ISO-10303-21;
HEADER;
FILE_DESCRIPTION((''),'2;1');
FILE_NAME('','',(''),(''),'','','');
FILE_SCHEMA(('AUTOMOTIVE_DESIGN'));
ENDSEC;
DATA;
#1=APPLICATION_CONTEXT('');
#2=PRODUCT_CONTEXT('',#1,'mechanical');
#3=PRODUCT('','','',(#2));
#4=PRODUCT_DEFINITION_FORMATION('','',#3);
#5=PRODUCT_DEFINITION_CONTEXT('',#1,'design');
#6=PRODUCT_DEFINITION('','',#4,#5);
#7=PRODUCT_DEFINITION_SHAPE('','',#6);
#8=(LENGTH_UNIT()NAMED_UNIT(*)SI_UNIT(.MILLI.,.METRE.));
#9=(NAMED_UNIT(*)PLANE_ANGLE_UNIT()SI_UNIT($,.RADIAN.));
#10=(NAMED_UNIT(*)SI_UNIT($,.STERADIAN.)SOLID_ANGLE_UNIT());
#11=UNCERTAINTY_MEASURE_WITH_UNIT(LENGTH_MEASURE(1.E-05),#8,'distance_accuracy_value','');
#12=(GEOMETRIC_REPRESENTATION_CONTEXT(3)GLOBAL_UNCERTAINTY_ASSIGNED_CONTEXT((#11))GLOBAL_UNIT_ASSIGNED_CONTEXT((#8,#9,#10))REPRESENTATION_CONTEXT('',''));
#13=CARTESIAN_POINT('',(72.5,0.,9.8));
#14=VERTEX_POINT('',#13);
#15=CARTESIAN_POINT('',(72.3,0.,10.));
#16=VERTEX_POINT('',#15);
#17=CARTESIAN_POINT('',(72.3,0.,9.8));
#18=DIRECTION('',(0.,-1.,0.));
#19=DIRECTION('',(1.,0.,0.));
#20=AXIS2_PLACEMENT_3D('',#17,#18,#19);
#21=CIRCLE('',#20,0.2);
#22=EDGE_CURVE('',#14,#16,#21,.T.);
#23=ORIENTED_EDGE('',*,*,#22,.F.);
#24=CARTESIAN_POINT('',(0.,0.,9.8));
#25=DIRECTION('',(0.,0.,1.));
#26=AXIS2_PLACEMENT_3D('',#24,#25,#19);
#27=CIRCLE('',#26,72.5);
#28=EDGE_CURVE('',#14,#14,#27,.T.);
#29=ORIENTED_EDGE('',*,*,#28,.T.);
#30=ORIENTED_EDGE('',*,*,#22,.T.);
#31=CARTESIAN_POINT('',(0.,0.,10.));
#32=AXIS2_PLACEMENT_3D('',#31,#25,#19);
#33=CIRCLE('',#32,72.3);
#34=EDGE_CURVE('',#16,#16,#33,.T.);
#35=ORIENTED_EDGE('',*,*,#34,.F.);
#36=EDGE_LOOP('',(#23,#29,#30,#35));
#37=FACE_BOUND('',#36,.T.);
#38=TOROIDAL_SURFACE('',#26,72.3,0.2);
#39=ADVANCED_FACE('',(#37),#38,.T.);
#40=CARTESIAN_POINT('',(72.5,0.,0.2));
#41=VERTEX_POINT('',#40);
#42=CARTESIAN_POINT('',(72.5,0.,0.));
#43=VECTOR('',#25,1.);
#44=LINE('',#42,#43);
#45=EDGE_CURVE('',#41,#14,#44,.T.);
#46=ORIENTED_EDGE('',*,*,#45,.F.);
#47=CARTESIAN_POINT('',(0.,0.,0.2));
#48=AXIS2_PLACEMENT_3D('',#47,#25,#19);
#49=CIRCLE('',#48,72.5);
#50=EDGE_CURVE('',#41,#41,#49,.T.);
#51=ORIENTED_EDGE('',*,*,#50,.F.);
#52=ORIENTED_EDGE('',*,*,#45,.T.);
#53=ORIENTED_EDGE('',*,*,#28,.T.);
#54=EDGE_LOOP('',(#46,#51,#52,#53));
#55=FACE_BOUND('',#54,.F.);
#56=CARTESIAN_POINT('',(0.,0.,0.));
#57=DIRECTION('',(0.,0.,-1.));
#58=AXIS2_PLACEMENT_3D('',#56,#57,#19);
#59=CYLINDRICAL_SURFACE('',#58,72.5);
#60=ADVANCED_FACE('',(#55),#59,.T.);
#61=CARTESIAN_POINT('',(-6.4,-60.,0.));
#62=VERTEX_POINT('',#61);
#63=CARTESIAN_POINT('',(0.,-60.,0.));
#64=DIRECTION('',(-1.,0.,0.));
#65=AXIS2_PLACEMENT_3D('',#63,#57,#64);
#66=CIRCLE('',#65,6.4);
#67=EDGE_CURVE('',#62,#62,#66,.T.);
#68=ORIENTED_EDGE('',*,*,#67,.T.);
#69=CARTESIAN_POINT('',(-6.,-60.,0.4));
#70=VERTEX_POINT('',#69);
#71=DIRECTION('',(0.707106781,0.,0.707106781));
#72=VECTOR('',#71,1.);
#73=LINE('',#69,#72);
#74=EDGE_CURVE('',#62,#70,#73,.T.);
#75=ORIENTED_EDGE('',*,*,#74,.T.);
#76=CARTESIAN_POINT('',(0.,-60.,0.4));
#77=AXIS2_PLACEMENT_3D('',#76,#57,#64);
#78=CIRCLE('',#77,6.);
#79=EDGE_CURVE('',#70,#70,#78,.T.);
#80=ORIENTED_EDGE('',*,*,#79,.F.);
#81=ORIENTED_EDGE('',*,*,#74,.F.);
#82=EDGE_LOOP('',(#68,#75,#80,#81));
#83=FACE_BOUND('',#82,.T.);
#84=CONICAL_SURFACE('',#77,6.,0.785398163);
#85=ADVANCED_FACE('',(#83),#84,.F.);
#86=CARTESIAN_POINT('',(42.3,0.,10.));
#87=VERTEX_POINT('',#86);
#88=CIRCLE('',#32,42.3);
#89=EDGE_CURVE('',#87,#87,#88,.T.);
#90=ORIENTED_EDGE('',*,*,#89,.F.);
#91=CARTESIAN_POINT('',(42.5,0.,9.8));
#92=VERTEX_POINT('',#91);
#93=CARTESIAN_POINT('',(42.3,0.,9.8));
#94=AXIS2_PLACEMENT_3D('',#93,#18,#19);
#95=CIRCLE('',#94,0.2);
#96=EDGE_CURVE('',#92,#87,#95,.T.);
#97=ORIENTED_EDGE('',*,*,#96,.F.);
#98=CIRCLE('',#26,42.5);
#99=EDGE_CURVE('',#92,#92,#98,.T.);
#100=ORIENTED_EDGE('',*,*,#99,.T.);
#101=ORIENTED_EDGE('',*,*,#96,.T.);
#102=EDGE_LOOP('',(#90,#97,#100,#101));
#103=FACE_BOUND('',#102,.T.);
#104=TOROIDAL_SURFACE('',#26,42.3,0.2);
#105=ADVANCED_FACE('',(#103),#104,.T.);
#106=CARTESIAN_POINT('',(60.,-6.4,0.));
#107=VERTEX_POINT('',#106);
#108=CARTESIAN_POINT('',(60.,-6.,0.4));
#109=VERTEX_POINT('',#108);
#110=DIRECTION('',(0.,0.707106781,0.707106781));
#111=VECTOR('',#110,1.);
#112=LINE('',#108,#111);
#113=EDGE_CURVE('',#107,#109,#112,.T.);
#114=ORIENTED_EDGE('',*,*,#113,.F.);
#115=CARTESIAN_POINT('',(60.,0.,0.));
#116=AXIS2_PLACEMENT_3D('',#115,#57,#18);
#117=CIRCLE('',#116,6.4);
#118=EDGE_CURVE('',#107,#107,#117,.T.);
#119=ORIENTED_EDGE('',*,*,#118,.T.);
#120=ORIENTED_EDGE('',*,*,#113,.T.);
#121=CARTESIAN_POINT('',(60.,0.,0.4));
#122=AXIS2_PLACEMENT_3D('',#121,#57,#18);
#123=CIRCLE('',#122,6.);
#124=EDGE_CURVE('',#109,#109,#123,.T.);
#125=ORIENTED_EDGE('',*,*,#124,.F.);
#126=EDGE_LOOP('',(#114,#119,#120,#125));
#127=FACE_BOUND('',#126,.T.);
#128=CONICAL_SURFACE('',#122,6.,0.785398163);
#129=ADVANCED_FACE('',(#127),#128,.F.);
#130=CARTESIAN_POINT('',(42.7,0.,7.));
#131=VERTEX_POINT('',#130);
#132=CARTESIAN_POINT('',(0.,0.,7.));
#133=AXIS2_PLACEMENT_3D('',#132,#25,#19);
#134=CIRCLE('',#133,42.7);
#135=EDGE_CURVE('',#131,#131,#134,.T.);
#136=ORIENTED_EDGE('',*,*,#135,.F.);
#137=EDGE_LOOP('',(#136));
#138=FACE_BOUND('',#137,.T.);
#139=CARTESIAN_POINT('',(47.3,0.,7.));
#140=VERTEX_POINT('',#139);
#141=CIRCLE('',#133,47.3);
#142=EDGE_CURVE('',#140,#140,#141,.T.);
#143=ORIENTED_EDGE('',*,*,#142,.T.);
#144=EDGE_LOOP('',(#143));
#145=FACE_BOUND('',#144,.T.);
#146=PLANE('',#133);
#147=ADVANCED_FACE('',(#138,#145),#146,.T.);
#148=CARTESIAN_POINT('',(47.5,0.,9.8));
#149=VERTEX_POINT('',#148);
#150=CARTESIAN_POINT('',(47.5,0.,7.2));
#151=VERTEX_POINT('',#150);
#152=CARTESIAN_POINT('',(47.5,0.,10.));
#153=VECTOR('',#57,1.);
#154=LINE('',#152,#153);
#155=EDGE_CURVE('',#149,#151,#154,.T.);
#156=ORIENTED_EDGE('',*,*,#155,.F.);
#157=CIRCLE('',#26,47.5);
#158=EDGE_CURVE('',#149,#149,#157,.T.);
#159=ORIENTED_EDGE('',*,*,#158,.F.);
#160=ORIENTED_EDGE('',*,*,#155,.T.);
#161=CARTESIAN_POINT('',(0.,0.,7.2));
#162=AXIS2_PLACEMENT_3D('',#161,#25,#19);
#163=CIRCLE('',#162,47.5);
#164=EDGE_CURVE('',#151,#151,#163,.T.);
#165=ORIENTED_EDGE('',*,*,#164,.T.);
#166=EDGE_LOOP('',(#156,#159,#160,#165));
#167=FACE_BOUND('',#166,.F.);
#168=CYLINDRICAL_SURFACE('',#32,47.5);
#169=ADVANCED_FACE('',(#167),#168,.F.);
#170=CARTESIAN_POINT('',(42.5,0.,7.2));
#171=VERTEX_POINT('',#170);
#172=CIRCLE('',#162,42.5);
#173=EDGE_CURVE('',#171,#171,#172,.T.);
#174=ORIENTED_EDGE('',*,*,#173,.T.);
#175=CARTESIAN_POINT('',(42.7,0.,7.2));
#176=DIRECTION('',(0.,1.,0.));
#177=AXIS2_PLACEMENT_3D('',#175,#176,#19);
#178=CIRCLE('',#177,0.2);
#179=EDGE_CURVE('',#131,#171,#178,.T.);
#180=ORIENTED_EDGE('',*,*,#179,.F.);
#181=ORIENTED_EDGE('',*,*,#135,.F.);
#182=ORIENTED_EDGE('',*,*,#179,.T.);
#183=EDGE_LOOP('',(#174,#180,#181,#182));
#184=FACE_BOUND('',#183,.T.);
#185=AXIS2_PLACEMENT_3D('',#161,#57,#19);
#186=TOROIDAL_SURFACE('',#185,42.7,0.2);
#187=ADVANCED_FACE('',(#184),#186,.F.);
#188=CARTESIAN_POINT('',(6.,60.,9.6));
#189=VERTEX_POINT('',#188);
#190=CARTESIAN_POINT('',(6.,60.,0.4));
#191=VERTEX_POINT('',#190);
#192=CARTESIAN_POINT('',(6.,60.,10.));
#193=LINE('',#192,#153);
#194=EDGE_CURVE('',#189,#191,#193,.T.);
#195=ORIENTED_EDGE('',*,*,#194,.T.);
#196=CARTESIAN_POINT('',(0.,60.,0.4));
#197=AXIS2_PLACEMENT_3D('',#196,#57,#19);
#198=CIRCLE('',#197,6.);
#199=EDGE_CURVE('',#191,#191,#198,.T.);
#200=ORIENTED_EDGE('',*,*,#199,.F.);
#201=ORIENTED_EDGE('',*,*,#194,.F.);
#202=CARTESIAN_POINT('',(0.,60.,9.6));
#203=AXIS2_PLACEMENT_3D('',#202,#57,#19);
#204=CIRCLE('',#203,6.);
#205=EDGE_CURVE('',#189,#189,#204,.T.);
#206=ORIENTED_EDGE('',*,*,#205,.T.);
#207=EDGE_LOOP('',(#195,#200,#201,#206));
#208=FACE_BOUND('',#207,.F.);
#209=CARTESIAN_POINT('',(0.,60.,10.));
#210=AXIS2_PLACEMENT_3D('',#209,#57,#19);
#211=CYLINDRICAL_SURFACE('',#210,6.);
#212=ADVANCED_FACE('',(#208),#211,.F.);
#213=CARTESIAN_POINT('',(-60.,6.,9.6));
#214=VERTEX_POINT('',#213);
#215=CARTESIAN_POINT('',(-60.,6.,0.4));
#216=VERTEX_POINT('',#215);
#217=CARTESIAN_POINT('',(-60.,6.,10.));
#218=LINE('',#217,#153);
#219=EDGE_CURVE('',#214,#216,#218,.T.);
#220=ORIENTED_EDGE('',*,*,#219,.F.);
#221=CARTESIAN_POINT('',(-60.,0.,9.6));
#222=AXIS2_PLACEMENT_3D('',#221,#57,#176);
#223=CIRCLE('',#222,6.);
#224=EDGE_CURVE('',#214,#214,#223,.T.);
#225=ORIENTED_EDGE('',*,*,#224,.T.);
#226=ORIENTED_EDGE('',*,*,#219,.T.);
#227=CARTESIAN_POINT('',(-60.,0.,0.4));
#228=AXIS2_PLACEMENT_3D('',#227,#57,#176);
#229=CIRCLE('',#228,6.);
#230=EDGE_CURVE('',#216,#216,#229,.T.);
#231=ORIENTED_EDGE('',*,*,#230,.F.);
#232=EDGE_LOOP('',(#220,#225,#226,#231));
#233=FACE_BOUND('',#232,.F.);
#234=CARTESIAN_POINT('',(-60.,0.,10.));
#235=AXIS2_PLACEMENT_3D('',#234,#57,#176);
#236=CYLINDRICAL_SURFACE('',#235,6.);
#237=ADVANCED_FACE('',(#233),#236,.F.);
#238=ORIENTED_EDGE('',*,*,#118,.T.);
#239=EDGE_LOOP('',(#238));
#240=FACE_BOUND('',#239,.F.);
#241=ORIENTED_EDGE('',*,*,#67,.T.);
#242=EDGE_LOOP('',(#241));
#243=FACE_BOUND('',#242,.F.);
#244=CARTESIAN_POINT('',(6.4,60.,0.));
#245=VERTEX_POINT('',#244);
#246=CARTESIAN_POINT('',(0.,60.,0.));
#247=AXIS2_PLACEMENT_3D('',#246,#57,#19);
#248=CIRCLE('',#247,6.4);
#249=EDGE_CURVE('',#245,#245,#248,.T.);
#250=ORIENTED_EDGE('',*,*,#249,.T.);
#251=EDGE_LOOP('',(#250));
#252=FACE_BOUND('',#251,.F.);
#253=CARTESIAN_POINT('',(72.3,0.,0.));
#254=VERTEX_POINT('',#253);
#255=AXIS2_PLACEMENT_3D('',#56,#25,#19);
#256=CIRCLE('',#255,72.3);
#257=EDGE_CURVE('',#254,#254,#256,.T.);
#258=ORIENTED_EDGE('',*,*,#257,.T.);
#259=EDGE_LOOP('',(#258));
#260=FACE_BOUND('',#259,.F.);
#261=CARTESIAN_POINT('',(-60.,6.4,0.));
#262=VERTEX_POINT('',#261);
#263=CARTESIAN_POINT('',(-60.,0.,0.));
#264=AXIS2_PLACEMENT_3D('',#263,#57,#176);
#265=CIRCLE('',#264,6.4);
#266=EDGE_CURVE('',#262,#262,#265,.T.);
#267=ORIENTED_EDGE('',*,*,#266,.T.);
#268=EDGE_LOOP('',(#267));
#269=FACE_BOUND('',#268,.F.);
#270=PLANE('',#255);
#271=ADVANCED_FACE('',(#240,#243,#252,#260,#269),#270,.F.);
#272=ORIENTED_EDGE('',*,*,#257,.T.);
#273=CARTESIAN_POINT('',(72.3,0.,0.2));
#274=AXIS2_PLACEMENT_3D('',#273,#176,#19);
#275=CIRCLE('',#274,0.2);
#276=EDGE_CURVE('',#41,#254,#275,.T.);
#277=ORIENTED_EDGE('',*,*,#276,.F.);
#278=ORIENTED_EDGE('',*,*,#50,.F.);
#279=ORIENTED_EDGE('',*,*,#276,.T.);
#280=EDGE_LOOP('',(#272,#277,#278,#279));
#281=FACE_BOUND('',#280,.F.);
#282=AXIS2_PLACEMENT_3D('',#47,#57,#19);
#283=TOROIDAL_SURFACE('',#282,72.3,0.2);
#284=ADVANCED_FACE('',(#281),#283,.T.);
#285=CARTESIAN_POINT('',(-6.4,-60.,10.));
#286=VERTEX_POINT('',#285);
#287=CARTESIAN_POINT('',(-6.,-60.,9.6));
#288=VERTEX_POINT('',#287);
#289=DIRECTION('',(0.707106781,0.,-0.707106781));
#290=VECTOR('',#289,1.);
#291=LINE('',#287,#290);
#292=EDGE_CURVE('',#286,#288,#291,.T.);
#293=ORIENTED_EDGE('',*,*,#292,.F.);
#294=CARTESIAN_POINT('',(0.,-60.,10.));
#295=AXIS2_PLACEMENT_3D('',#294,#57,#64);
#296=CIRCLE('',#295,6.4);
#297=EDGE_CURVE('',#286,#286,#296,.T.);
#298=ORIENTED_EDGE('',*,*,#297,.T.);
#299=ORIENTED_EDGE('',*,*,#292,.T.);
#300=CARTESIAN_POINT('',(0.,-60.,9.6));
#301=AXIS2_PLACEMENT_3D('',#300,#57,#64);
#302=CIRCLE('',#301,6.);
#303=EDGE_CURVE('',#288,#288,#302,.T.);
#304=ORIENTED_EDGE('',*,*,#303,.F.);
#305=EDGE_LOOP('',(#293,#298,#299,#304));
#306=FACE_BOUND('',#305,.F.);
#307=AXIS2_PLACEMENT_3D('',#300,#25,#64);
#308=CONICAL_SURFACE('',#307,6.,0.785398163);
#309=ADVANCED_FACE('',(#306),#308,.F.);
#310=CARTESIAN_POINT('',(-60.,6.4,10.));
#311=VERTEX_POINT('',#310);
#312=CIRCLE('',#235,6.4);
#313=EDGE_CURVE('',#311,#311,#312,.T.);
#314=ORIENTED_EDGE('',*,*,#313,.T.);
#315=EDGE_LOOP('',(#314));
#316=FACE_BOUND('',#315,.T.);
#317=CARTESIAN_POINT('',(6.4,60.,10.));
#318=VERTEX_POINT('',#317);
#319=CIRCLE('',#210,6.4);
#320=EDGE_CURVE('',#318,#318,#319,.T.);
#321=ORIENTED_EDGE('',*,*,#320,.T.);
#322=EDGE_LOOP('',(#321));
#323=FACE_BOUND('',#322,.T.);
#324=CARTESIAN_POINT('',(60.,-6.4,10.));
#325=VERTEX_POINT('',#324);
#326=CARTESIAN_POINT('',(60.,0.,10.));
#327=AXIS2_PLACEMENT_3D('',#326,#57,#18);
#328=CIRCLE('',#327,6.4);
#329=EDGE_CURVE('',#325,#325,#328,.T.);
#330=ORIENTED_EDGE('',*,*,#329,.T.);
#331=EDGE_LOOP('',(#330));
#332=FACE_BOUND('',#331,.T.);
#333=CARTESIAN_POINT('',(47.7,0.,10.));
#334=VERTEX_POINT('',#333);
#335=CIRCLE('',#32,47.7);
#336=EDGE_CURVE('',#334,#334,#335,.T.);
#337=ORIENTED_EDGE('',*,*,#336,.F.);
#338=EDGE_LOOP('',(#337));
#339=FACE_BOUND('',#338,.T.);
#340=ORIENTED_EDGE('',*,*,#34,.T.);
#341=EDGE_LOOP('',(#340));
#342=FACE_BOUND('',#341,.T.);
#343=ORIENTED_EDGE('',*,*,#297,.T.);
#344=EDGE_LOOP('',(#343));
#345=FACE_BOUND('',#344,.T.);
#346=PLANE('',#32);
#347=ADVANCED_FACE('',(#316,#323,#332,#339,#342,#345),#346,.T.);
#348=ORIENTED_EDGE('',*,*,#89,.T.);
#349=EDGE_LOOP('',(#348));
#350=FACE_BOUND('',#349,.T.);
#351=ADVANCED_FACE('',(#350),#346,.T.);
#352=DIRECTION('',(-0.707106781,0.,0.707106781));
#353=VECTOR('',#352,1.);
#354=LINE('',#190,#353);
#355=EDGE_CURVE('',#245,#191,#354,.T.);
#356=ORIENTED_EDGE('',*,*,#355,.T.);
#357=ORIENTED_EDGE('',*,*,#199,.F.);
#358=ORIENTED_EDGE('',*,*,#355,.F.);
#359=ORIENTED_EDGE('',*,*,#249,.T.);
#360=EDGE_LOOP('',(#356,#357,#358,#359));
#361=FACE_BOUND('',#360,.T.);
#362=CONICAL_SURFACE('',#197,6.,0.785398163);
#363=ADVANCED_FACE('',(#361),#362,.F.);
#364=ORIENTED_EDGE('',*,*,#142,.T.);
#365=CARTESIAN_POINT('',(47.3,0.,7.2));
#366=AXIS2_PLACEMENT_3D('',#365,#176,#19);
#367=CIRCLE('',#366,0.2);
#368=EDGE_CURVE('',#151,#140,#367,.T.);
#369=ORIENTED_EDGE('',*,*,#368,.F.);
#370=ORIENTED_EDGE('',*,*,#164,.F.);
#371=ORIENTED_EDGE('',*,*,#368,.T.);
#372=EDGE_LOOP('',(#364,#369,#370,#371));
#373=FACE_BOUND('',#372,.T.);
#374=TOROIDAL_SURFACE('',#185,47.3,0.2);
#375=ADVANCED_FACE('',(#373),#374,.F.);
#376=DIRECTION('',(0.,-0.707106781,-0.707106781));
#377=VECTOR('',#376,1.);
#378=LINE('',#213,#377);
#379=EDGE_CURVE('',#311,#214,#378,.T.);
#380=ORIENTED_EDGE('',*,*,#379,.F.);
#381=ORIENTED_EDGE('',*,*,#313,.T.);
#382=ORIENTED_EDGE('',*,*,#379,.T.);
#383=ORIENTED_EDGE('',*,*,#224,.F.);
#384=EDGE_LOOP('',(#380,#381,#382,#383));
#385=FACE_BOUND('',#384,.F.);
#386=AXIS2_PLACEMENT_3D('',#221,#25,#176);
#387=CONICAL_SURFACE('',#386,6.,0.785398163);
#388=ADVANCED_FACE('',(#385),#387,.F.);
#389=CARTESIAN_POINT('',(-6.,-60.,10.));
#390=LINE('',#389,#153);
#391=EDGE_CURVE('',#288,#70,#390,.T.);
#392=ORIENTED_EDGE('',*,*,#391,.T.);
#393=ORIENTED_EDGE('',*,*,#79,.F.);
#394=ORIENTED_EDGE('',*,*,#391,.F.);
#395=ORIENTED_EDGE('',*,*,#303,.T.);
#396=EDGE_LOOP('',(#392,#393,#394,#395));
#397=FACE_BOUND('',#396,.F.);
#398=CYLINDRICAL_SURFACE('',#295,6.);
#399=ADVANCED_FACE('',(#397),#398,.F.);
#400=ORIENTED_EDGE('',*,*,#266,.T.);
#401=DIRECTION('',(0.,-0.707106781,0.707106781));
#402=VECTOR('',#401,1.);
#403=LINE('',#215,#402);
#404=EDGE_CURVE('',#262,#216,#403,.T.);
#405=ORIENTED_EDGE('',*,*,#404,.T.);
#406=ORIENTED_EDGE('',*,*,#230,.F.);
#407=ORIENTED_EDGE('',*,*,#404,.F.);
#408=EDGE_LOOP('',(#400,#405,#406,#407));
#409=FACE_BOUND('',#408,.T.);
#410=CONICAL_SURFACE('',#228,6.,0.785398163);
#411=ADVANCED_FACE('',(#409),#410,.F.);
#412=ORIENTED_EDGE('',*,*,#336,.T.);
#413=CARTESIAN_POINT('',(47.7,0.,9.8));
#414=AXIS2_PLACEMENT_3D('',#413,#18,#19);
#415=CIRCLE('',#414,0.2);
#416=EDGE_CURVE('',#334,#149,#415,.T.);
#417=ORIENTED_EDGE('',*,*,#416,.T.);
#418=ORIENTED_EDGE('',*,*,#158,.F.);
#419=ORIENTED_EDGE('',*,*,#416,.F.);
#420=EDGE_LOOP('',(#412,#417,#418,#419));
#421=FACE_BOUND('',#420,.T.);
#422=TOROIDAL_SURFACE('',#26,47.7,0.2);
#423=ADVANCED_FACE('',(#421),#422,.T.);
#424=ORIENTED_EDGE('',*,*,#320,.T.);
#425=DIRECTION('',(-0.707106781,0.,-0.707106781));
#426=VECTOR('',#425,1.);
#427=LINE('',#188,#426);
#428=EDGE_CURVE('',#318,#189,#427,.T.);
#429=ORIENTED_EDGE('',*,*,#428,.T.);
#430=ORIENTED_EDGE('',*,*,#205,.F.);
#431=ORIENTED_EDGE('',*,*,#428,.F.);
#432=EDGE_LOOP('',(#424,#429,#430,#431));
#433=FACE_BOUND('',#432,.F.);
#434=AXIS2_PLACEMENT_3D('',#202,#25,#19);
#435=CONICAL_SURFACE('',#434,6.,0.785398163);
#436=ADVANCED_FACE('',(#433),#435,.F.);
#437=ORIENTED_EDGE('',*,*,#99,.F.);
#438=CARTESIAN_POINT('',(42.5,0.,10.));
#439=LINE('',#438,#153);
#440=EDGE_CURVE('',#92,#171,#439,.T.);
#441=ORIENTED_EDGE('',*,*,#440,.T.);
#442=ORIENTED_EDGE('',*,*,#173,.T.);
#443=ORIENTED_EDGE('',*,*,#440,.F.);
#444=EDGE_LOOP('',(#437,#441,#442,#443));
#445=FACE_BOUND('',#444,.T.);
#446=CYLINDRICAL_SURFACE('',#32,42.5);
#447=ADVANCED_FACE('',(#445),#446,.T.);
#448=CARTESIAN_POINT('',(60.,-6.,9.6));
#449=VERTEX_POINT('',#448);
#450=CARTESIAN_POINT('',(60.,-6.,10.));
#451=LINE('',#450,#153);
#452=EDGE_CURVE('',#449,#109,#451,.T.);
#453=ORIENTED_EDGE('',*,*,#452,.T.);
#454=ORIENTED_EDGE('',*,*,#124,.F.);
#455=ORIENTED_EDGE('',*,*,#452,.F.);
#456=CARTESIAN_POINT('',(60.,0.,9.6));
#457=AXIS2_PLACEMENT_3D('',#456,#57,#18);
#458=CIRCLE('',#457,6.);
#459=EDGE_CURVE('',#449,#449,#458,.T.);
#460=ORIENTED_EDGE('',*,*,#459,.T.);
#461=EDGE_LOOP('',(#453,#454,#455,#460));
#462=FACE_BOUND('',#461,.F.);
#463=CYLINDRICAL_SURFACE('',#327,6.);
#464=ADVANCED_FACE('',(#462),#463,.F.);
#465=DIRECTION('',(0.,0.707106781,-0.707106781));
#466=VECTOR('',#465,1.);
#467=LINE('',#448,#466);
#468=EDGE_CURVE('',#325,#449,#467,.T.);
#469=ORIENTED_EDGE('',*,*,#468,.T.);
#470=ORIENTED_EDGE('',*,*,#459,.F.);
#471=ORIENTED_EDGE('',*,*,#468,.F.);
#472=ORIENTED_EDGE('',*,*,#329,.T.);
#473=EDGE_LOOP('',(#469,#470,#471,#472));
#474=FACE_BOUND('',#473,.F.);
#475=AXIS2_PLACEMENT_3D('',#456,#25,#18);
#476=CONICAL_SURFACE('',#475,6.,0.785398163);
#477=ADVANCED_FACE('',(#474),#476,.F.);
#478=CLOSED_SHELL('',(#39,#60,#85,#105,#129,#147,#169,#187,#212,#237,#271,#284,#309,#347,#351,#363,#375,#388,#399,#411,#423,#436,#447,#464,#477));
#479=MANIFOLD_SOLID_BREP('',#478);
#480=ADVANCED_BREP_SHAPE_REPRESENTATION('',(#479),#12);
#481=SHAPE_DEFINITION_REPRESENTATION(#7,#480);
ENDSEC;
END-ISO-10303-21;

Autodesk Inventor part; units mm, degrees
ref_plane "YZ Plane" through (0, 0, 0) normal (1, 0, 0) x (0, 1, 0)
ref_plane "XZ Plane" through (0, 0, 0) normal (0, 1, 0) x (-1, 0, 0)
ref_plane "XY Plane" through (0, 0, 0) normal (0, 0, 1) x (1, 0, 0)
sketch "Sketch1" plane through (0, 0, 0) normal (0, 0, 1) x (1, 0, 0)
  circle A0 centre (0, 0) radius 72.5
  dimension "d0" = 145
extrude "Extrusion1" add sketch "Sketch1" along normal blind 10
sketch "Sketch2" plane through (0, 0, 10) normal (0, 0, 1) x (1, 0, 0)
  circle A0 centre (0, 0) radius 60 construction
  point P0 (60, 0)
  dimension "d3" = 120
hole "Hole1" at (60, 0, 10) direction (0, 0, -1) diameter 12 end through all
pattern_circular "Circular Pattern1" count 4 over 360 about axis through (0, 0, 0) along (0, 0, 1) of "Hole1"
sketch "Sketch3" plane through (0, 0, 10) normal (0, 0, 1) x (1, 0, 0)
  circle A0 centre (0, 0) radius 42.5
  circle A1 centre (0, 0) radius 47.5
  dimension "d14" = 85
  dimension "d15" = 95
extrude "Extrusion2" cut sketch "Sketch3" against normal blind 3
fillet "Fillet1" radius 0.2 6 edges at (-72.5, 0, 10) (-72.5, 0, 0) (-47.5, 0, 10) (-42.5, 0, 10) (-47.5, 0, 7) (-42.5, 0, 7)
chamfer "Chamfer1" distance 0.4 angle 45 8 edges at (60, 6, 10) (-6, 60, 10) (-60, -6, 10) (6, -60, 10) (6, -60, 0) (60, 6, 0) (-60, -6, 0) (-6, 60, 0)
properties part number "JIS-VG65" material "Stainless Steel"
